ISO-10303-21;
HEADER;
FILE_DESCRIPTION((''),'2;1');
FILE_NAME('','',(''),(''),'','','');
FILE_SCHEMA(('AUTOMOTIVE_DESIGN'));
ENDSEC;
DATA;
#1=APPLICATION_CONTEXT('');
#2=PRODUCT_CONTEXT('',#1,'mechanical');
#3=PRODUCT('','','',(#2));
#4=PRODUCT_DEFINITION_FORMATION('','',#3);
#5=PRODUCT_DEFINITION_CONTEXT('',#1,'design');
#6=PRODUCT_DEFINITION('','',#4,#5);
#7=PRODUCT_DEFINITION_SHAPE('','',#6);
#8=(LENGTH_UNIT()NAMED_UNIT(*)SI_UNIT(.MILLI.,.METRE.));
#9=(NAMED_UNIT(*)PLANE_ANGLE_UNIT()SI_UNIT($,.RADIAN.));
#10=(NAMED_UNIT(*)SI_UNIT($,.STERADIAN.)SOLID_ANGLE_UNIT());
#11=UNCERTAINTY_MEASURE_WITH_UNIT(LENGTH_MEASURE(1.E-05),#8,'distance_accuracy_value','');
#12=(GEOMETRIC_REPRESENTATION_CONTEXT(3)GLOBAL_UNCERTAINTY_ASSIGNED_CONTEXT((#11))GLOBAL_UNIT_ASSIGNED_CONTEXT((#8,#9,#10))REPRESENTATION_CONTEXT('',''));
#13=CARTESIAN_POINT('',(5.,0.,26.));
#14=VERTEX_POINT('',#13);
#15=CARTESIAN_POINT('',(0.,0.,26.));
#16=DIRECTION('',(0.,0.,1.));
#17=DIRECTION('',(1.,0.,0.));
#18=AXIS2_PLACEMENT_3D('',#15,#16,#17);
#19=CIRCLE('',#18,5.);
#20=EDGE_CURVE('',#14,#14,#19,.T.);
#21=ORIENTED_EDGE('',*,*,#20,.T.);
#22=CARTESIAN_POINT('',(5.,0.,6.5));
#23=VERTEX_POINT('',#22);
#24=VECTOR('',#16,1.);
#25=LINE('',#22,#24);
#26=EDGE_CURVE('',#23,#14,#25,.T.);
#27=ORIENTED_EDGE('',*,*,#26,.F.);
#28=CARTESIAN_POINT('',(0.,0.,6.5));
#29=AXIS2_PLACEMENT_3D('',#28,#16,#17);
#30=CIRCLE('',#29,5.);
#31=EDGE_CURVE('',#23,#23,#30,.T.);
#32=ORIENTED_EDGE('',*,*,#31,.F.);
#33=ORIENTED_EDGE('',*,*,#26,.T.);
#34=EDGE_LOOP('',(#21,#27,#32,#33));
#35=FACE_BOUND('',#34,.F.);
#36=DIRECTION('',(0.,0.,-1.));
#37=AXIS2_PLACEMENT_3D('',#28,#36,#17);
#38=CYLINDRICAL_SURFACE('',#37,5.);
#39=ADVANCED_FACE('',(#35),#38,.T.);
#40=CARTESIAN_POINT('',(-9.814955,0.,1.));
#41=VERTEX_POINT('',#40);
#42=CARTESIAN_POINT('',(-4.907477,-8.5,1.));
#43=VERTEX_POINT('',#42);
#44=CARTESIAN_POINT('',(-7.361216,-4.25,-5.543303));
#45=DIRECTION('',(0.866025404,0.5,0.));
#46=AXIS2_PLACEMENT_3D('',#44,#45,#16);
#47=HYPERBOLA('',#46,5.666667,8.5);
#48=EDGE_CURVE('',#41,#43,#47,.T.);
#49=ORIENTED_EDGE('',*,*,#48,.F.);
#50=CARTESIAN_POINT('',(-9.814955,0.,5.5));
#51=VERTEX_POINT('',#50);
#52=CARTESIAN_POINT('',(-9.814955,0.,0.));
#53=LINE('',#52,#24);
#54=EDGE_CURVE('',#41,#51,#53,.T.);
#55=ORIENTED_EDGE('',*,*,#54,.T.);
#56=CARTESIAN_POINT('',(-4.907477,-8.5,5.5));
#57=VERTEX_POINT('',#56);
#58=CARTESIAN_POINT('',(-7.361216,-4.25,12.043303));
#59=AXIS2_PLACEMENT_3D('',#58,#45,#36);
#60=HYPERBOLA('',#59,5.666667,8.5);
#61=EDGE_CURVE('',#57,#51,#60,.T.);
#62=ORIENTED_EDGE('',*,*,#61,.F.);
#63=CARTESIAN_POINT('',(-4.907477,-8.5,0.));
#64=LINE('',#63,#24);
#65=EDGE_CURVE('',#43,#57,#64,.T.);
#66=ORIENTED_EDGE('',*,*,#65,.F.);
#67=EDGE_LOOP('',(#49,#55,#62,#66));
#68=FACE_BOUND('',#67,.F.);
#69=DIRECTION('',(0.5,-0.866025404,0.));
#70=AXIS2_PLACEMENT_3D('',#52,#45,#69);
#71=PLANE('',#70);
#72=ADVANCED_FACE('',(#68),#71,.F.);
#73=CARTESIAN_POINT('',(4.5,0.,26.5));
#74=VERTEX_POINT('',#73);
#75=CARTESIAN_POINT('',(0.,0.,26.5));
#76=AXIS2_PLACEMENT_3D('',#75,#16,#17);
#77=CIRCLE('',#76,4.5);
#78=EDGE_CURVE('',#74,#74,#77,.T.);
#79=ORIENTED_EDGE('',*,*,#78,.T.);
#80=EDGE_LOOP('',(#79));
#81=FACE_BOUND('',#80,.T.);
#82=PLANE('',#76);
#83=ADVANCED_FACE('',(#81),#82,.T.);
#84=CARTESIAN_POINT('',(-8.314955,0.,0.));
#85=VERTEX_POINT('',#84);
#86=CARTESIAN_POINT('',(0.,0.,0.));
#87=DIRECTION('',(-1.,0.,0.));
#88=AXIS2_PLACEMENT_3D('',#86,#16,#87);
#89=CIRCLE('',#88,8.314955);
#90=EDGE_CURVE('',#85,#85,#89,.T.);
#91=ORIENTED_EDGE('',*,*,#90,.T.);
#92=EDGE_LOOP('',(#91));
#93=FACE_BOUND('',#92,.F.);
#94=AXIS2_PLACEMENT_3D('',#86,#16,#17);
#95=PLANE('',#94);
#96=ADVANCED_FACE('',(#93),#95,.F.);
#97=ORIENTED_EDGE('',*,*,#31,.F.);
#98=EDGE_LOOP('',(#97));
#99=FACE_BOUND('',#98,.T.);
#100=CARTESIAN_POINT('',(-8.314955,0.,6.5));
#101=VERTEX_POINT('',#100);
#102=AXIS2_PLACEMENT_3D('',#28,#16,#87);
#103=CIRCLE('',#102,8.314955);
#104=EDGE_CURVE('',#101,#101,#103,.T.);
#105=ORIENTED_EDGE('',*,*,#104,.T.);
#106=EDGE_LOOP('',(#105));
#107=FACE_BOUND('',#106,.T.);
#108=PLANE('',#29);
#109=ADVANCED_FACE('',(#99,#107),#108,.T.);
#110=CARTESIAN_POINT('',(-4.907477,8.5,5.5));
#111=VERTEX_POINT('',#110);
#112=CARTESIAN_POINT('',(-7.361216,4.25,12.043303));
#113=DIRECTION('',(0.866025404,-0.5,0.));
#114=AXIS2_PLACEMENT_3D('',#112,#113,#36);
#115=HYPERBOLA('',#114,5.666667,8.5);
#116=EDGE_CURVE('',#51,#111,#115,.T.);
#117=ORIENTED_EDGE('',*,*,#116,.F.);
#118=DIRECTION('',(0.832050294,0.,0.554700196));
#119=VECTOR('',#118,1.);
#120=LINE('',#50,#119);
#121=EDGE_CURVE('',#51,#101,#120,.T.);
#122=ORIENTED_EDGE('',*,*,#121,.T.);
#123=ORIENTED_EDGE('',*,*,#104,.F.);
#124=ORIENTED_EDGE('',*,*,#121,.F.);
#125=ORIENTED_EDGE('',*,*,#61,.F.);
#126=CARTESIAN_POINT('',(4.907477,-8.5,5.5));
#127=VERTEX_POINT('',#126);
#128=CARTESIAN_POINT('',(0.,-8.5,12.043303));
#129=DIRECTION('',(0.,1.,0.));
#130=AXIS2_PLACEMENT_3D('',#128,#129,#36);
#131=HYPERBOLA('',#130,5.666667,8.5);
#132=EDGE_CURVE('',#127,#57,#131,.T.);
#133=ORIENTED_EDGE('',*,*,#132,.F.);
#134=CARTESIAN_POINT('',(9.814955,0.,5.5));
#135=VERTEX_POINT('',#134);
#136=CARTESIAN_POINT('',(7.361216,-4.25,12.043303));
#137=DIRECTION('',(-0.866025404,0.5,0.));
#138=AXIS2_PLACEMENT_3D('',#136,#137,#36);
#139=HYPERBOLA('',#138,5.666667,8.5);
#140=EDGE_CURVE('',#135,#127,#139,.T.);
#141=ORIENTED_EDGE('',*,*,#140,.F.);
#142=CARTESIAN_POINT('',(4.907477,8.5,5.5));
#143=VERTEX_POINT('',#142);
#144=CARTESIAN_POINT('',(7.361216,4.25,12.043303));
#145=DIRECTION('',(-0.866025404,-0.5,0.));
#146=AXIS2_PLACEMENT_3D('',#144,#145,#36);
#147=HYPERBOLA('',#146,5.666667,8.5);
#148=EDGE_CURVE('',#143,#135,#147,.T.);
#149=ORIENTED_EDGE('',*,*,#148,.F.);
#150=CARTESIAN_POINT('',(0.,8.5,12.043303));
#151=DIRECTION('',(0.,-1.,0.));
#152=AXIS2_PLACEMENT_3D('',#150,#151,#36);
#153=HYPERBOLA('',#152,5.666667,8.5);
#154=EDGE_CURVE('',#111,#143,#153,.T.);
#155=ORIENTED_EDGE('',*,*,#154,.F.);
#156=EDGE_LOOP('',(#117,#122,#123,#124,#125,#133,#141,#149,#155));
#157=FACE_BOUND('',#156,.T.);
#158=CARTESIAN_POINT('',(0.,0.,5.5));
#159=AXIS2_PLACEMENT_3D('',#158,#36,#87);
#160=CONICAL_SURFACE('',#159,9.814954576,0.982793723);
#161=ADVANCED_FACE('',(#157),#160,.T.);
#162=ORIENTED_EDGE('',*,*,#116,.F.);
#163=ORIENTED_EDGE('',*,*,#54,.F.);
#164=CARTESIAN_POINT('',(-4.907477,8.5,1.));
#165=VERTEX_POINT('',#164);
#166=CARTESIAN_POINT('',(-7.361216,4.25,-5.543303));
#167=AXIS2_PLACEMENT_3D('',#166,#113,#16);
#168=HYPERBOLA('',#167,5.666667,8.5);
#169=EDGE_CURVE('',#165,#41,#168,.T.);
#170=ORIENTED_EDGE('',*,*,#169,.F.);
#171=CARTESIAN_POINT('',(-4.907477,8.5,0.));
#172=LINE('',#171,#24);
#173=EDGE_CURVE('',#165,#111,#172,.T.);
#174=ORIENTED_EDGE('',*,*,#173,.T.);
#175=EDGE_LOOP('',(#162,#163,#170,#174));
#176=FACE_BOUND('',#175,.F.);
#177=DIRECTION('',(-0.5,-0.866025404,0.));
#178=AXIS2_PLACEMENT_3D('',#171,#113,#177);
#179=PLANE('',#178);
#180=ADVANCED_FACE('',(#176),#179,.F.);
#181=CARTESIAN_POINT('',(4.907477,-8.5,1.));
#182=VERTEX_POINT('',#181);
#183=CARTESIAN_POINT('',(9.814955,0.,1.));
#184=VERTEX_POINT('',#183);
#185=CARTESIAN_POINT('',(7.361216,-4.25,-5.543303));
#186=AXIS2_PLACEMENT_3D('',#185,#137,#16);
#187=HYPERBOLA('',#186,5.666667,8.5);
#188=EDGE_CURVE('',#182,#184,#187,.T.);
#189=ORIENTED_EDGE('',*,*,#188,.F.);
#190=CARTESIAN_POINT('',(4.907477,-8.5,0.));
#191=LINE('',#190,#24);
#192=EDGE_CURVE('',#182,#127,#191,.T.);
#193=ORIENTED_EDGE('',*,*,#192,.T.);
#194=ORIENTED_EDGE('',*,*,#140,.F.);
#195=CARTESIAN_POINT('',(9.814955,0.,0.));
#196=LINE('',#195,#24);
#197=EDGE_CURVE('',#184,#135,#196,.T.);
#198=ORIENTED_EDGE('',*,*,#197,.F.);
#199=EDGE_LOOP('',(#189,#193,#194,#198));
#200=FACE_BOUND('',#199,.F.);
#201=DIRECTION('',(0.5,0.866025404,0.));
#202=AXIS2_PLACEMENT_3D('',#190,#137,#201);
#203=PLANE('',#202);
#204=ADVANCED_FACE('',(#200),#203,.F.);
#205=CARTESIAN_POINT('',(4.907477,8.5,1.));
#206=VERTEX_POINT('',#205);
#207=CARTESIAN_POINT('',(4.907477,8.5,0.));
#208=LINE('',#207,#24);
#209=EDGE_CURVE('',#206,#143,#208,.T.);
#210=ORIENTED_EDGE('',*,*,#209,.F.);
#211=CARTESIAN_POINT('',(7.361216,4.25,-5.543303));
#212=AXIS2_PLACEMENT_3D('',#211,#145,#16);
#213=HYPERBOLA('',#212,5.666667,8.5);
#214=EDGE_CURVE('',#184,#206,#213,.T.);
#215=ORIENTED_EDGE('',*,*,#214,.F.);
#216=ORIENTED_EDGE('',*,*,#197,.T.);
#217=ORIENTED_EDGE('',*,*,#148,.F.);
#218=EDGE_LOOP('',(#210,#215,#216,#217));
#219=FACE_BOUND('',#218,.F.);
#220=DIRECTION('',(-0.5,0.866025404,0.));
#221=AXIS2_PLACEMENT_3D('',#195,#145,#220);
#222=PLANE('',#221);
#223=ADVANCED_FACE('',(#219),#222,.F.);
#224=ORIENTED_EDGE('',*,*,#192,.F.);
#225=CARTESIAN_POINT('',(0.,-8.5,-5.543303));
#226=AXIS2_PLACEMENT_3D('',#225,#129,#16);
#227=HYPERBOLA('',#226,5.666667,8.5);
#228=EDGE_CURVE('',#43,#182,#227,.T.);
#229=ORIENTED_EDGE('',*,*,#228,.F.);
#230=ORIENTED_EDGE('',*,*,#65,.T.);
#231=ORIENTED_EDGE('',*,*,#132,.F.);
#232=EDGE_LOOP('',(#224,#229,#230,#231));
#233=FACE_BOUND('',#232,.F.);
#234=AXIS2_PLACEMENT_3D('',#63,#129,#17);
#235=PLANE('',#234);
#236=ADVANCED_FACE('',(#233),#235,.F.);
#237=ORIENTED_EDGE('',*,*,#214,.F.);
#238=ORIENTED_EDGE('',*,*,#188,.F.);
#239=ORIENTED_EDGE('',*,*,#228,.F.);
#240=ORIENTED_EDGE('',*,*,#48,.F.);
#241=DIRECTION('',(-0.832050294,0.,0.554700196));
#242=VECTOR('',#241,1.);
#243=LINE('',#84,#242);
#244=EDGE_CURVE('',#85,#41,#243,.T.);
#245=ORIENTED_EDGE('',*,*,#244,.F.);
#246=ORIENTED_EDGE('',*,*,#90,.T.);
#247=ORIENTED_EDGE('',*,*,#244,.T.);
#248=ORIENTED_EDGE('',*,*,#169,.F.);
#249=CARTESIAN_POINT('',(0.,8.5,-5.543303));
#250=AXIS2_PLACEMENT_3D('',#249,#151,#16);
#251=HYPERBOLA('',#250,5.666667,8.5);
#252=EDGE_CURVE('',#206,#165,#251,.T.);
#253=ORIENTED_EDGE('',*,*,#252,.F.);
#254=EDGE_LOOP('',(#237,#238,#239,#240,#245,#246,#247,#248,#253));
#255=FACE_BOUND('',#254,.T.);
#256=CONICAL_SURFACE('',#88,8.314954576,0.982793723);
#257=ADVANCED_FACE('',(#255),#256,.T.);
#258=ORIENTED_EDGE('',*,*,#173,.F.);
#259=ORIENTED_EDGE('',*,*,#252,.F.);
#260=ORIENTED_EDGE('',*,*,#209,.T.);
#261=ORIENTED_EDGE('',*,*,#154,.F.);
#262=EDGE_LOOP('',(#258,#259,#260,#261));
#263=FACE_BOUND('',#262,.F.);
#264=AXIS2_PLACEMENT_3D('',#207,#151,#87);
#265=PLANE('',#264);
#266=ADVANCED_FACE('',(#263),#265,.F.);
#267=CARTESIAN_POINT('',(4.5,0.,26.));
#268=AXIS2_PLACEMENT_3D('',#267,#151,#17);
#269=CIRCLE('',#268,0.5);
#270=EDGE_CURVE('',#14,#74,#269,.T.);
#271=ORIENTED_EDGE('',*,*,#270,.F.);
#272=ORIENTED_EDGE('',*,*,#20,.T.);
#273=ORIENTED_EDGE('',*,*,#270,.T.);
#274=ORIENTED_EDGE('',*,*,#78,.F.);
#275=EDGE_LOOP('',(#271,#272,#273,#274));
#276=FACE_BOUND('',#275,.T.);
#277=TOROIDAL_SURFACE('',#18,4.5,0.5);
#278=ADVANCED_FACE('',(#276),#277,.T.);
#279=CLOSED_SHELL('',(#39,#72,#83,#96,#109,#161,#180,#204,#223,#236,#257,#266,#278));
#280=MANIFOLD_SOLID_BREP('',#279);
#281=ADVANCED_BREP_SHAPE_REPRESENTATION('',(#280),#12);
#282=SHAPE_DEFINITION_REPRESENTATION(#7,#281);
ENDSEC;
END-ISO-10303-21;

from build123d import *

# Parameters (mm, degrees)
Y_KSEKLIK_EKSTR_ZYON1_DEPTH = 6.5
IZIM2_R                     = 5
Y_KSEKLIK_EKSTR_ZYON2_DEPTH = 20
RADYUS1_R                   = 0.5


with BuildPart() as part:
    # Çizim1 → Yükseklik-Ekstrüzyon1 (new body)
    with BuildSketch(Plane.XY):
        Polygon((9.814954576, 0), (4.907477288, 8.5), (-4.907477288, 8.5), (-9.814954576, 0), (-4.907477288, -8.5), (4.907477288, -8.5), align=None)
    extrude(amount=Y_KSEKLIK_EKSTR_ZYON1_DEPTH)

    # Çizim2 → Yükseklik-Ekstrüzyon2 (add)
    with BuildSketch(Plane.XY.offset(6.5)):
        Circle(IZIM2_R)
    extrude(amount=Y_KSEKLIK_EKSTR_ZYON2_DEPTH)

    # Çizim3 → Kes-Döndür1 (revolve, cut)
    with BuildSketch(Plane(origin=(0, 0, 0), x_dir=(1, 0, 0), z_dir=(0, 1, 0))):
        Polygon((-9.814954576, 0), (-8.314954576, 0), (-9.814954576, -1), align=None)
        Polygon((-9.814954576, -6.5), (-9.814954576, -5.5), (-8.314954576, -6.5), align=None)
    revolve(axis=Axis((0, 0, 0), (0, 0, 1)), mode=Mode.SUBTRACT)

    # Radyus1
    radyus1_edges = [part.edges().sort_by_distance(p)[0] for p in [
        (-5, 0, 26.5),
    ]]
    fillet(radyus1_edges, radius=RADYUS1_R)


solid = part.part
